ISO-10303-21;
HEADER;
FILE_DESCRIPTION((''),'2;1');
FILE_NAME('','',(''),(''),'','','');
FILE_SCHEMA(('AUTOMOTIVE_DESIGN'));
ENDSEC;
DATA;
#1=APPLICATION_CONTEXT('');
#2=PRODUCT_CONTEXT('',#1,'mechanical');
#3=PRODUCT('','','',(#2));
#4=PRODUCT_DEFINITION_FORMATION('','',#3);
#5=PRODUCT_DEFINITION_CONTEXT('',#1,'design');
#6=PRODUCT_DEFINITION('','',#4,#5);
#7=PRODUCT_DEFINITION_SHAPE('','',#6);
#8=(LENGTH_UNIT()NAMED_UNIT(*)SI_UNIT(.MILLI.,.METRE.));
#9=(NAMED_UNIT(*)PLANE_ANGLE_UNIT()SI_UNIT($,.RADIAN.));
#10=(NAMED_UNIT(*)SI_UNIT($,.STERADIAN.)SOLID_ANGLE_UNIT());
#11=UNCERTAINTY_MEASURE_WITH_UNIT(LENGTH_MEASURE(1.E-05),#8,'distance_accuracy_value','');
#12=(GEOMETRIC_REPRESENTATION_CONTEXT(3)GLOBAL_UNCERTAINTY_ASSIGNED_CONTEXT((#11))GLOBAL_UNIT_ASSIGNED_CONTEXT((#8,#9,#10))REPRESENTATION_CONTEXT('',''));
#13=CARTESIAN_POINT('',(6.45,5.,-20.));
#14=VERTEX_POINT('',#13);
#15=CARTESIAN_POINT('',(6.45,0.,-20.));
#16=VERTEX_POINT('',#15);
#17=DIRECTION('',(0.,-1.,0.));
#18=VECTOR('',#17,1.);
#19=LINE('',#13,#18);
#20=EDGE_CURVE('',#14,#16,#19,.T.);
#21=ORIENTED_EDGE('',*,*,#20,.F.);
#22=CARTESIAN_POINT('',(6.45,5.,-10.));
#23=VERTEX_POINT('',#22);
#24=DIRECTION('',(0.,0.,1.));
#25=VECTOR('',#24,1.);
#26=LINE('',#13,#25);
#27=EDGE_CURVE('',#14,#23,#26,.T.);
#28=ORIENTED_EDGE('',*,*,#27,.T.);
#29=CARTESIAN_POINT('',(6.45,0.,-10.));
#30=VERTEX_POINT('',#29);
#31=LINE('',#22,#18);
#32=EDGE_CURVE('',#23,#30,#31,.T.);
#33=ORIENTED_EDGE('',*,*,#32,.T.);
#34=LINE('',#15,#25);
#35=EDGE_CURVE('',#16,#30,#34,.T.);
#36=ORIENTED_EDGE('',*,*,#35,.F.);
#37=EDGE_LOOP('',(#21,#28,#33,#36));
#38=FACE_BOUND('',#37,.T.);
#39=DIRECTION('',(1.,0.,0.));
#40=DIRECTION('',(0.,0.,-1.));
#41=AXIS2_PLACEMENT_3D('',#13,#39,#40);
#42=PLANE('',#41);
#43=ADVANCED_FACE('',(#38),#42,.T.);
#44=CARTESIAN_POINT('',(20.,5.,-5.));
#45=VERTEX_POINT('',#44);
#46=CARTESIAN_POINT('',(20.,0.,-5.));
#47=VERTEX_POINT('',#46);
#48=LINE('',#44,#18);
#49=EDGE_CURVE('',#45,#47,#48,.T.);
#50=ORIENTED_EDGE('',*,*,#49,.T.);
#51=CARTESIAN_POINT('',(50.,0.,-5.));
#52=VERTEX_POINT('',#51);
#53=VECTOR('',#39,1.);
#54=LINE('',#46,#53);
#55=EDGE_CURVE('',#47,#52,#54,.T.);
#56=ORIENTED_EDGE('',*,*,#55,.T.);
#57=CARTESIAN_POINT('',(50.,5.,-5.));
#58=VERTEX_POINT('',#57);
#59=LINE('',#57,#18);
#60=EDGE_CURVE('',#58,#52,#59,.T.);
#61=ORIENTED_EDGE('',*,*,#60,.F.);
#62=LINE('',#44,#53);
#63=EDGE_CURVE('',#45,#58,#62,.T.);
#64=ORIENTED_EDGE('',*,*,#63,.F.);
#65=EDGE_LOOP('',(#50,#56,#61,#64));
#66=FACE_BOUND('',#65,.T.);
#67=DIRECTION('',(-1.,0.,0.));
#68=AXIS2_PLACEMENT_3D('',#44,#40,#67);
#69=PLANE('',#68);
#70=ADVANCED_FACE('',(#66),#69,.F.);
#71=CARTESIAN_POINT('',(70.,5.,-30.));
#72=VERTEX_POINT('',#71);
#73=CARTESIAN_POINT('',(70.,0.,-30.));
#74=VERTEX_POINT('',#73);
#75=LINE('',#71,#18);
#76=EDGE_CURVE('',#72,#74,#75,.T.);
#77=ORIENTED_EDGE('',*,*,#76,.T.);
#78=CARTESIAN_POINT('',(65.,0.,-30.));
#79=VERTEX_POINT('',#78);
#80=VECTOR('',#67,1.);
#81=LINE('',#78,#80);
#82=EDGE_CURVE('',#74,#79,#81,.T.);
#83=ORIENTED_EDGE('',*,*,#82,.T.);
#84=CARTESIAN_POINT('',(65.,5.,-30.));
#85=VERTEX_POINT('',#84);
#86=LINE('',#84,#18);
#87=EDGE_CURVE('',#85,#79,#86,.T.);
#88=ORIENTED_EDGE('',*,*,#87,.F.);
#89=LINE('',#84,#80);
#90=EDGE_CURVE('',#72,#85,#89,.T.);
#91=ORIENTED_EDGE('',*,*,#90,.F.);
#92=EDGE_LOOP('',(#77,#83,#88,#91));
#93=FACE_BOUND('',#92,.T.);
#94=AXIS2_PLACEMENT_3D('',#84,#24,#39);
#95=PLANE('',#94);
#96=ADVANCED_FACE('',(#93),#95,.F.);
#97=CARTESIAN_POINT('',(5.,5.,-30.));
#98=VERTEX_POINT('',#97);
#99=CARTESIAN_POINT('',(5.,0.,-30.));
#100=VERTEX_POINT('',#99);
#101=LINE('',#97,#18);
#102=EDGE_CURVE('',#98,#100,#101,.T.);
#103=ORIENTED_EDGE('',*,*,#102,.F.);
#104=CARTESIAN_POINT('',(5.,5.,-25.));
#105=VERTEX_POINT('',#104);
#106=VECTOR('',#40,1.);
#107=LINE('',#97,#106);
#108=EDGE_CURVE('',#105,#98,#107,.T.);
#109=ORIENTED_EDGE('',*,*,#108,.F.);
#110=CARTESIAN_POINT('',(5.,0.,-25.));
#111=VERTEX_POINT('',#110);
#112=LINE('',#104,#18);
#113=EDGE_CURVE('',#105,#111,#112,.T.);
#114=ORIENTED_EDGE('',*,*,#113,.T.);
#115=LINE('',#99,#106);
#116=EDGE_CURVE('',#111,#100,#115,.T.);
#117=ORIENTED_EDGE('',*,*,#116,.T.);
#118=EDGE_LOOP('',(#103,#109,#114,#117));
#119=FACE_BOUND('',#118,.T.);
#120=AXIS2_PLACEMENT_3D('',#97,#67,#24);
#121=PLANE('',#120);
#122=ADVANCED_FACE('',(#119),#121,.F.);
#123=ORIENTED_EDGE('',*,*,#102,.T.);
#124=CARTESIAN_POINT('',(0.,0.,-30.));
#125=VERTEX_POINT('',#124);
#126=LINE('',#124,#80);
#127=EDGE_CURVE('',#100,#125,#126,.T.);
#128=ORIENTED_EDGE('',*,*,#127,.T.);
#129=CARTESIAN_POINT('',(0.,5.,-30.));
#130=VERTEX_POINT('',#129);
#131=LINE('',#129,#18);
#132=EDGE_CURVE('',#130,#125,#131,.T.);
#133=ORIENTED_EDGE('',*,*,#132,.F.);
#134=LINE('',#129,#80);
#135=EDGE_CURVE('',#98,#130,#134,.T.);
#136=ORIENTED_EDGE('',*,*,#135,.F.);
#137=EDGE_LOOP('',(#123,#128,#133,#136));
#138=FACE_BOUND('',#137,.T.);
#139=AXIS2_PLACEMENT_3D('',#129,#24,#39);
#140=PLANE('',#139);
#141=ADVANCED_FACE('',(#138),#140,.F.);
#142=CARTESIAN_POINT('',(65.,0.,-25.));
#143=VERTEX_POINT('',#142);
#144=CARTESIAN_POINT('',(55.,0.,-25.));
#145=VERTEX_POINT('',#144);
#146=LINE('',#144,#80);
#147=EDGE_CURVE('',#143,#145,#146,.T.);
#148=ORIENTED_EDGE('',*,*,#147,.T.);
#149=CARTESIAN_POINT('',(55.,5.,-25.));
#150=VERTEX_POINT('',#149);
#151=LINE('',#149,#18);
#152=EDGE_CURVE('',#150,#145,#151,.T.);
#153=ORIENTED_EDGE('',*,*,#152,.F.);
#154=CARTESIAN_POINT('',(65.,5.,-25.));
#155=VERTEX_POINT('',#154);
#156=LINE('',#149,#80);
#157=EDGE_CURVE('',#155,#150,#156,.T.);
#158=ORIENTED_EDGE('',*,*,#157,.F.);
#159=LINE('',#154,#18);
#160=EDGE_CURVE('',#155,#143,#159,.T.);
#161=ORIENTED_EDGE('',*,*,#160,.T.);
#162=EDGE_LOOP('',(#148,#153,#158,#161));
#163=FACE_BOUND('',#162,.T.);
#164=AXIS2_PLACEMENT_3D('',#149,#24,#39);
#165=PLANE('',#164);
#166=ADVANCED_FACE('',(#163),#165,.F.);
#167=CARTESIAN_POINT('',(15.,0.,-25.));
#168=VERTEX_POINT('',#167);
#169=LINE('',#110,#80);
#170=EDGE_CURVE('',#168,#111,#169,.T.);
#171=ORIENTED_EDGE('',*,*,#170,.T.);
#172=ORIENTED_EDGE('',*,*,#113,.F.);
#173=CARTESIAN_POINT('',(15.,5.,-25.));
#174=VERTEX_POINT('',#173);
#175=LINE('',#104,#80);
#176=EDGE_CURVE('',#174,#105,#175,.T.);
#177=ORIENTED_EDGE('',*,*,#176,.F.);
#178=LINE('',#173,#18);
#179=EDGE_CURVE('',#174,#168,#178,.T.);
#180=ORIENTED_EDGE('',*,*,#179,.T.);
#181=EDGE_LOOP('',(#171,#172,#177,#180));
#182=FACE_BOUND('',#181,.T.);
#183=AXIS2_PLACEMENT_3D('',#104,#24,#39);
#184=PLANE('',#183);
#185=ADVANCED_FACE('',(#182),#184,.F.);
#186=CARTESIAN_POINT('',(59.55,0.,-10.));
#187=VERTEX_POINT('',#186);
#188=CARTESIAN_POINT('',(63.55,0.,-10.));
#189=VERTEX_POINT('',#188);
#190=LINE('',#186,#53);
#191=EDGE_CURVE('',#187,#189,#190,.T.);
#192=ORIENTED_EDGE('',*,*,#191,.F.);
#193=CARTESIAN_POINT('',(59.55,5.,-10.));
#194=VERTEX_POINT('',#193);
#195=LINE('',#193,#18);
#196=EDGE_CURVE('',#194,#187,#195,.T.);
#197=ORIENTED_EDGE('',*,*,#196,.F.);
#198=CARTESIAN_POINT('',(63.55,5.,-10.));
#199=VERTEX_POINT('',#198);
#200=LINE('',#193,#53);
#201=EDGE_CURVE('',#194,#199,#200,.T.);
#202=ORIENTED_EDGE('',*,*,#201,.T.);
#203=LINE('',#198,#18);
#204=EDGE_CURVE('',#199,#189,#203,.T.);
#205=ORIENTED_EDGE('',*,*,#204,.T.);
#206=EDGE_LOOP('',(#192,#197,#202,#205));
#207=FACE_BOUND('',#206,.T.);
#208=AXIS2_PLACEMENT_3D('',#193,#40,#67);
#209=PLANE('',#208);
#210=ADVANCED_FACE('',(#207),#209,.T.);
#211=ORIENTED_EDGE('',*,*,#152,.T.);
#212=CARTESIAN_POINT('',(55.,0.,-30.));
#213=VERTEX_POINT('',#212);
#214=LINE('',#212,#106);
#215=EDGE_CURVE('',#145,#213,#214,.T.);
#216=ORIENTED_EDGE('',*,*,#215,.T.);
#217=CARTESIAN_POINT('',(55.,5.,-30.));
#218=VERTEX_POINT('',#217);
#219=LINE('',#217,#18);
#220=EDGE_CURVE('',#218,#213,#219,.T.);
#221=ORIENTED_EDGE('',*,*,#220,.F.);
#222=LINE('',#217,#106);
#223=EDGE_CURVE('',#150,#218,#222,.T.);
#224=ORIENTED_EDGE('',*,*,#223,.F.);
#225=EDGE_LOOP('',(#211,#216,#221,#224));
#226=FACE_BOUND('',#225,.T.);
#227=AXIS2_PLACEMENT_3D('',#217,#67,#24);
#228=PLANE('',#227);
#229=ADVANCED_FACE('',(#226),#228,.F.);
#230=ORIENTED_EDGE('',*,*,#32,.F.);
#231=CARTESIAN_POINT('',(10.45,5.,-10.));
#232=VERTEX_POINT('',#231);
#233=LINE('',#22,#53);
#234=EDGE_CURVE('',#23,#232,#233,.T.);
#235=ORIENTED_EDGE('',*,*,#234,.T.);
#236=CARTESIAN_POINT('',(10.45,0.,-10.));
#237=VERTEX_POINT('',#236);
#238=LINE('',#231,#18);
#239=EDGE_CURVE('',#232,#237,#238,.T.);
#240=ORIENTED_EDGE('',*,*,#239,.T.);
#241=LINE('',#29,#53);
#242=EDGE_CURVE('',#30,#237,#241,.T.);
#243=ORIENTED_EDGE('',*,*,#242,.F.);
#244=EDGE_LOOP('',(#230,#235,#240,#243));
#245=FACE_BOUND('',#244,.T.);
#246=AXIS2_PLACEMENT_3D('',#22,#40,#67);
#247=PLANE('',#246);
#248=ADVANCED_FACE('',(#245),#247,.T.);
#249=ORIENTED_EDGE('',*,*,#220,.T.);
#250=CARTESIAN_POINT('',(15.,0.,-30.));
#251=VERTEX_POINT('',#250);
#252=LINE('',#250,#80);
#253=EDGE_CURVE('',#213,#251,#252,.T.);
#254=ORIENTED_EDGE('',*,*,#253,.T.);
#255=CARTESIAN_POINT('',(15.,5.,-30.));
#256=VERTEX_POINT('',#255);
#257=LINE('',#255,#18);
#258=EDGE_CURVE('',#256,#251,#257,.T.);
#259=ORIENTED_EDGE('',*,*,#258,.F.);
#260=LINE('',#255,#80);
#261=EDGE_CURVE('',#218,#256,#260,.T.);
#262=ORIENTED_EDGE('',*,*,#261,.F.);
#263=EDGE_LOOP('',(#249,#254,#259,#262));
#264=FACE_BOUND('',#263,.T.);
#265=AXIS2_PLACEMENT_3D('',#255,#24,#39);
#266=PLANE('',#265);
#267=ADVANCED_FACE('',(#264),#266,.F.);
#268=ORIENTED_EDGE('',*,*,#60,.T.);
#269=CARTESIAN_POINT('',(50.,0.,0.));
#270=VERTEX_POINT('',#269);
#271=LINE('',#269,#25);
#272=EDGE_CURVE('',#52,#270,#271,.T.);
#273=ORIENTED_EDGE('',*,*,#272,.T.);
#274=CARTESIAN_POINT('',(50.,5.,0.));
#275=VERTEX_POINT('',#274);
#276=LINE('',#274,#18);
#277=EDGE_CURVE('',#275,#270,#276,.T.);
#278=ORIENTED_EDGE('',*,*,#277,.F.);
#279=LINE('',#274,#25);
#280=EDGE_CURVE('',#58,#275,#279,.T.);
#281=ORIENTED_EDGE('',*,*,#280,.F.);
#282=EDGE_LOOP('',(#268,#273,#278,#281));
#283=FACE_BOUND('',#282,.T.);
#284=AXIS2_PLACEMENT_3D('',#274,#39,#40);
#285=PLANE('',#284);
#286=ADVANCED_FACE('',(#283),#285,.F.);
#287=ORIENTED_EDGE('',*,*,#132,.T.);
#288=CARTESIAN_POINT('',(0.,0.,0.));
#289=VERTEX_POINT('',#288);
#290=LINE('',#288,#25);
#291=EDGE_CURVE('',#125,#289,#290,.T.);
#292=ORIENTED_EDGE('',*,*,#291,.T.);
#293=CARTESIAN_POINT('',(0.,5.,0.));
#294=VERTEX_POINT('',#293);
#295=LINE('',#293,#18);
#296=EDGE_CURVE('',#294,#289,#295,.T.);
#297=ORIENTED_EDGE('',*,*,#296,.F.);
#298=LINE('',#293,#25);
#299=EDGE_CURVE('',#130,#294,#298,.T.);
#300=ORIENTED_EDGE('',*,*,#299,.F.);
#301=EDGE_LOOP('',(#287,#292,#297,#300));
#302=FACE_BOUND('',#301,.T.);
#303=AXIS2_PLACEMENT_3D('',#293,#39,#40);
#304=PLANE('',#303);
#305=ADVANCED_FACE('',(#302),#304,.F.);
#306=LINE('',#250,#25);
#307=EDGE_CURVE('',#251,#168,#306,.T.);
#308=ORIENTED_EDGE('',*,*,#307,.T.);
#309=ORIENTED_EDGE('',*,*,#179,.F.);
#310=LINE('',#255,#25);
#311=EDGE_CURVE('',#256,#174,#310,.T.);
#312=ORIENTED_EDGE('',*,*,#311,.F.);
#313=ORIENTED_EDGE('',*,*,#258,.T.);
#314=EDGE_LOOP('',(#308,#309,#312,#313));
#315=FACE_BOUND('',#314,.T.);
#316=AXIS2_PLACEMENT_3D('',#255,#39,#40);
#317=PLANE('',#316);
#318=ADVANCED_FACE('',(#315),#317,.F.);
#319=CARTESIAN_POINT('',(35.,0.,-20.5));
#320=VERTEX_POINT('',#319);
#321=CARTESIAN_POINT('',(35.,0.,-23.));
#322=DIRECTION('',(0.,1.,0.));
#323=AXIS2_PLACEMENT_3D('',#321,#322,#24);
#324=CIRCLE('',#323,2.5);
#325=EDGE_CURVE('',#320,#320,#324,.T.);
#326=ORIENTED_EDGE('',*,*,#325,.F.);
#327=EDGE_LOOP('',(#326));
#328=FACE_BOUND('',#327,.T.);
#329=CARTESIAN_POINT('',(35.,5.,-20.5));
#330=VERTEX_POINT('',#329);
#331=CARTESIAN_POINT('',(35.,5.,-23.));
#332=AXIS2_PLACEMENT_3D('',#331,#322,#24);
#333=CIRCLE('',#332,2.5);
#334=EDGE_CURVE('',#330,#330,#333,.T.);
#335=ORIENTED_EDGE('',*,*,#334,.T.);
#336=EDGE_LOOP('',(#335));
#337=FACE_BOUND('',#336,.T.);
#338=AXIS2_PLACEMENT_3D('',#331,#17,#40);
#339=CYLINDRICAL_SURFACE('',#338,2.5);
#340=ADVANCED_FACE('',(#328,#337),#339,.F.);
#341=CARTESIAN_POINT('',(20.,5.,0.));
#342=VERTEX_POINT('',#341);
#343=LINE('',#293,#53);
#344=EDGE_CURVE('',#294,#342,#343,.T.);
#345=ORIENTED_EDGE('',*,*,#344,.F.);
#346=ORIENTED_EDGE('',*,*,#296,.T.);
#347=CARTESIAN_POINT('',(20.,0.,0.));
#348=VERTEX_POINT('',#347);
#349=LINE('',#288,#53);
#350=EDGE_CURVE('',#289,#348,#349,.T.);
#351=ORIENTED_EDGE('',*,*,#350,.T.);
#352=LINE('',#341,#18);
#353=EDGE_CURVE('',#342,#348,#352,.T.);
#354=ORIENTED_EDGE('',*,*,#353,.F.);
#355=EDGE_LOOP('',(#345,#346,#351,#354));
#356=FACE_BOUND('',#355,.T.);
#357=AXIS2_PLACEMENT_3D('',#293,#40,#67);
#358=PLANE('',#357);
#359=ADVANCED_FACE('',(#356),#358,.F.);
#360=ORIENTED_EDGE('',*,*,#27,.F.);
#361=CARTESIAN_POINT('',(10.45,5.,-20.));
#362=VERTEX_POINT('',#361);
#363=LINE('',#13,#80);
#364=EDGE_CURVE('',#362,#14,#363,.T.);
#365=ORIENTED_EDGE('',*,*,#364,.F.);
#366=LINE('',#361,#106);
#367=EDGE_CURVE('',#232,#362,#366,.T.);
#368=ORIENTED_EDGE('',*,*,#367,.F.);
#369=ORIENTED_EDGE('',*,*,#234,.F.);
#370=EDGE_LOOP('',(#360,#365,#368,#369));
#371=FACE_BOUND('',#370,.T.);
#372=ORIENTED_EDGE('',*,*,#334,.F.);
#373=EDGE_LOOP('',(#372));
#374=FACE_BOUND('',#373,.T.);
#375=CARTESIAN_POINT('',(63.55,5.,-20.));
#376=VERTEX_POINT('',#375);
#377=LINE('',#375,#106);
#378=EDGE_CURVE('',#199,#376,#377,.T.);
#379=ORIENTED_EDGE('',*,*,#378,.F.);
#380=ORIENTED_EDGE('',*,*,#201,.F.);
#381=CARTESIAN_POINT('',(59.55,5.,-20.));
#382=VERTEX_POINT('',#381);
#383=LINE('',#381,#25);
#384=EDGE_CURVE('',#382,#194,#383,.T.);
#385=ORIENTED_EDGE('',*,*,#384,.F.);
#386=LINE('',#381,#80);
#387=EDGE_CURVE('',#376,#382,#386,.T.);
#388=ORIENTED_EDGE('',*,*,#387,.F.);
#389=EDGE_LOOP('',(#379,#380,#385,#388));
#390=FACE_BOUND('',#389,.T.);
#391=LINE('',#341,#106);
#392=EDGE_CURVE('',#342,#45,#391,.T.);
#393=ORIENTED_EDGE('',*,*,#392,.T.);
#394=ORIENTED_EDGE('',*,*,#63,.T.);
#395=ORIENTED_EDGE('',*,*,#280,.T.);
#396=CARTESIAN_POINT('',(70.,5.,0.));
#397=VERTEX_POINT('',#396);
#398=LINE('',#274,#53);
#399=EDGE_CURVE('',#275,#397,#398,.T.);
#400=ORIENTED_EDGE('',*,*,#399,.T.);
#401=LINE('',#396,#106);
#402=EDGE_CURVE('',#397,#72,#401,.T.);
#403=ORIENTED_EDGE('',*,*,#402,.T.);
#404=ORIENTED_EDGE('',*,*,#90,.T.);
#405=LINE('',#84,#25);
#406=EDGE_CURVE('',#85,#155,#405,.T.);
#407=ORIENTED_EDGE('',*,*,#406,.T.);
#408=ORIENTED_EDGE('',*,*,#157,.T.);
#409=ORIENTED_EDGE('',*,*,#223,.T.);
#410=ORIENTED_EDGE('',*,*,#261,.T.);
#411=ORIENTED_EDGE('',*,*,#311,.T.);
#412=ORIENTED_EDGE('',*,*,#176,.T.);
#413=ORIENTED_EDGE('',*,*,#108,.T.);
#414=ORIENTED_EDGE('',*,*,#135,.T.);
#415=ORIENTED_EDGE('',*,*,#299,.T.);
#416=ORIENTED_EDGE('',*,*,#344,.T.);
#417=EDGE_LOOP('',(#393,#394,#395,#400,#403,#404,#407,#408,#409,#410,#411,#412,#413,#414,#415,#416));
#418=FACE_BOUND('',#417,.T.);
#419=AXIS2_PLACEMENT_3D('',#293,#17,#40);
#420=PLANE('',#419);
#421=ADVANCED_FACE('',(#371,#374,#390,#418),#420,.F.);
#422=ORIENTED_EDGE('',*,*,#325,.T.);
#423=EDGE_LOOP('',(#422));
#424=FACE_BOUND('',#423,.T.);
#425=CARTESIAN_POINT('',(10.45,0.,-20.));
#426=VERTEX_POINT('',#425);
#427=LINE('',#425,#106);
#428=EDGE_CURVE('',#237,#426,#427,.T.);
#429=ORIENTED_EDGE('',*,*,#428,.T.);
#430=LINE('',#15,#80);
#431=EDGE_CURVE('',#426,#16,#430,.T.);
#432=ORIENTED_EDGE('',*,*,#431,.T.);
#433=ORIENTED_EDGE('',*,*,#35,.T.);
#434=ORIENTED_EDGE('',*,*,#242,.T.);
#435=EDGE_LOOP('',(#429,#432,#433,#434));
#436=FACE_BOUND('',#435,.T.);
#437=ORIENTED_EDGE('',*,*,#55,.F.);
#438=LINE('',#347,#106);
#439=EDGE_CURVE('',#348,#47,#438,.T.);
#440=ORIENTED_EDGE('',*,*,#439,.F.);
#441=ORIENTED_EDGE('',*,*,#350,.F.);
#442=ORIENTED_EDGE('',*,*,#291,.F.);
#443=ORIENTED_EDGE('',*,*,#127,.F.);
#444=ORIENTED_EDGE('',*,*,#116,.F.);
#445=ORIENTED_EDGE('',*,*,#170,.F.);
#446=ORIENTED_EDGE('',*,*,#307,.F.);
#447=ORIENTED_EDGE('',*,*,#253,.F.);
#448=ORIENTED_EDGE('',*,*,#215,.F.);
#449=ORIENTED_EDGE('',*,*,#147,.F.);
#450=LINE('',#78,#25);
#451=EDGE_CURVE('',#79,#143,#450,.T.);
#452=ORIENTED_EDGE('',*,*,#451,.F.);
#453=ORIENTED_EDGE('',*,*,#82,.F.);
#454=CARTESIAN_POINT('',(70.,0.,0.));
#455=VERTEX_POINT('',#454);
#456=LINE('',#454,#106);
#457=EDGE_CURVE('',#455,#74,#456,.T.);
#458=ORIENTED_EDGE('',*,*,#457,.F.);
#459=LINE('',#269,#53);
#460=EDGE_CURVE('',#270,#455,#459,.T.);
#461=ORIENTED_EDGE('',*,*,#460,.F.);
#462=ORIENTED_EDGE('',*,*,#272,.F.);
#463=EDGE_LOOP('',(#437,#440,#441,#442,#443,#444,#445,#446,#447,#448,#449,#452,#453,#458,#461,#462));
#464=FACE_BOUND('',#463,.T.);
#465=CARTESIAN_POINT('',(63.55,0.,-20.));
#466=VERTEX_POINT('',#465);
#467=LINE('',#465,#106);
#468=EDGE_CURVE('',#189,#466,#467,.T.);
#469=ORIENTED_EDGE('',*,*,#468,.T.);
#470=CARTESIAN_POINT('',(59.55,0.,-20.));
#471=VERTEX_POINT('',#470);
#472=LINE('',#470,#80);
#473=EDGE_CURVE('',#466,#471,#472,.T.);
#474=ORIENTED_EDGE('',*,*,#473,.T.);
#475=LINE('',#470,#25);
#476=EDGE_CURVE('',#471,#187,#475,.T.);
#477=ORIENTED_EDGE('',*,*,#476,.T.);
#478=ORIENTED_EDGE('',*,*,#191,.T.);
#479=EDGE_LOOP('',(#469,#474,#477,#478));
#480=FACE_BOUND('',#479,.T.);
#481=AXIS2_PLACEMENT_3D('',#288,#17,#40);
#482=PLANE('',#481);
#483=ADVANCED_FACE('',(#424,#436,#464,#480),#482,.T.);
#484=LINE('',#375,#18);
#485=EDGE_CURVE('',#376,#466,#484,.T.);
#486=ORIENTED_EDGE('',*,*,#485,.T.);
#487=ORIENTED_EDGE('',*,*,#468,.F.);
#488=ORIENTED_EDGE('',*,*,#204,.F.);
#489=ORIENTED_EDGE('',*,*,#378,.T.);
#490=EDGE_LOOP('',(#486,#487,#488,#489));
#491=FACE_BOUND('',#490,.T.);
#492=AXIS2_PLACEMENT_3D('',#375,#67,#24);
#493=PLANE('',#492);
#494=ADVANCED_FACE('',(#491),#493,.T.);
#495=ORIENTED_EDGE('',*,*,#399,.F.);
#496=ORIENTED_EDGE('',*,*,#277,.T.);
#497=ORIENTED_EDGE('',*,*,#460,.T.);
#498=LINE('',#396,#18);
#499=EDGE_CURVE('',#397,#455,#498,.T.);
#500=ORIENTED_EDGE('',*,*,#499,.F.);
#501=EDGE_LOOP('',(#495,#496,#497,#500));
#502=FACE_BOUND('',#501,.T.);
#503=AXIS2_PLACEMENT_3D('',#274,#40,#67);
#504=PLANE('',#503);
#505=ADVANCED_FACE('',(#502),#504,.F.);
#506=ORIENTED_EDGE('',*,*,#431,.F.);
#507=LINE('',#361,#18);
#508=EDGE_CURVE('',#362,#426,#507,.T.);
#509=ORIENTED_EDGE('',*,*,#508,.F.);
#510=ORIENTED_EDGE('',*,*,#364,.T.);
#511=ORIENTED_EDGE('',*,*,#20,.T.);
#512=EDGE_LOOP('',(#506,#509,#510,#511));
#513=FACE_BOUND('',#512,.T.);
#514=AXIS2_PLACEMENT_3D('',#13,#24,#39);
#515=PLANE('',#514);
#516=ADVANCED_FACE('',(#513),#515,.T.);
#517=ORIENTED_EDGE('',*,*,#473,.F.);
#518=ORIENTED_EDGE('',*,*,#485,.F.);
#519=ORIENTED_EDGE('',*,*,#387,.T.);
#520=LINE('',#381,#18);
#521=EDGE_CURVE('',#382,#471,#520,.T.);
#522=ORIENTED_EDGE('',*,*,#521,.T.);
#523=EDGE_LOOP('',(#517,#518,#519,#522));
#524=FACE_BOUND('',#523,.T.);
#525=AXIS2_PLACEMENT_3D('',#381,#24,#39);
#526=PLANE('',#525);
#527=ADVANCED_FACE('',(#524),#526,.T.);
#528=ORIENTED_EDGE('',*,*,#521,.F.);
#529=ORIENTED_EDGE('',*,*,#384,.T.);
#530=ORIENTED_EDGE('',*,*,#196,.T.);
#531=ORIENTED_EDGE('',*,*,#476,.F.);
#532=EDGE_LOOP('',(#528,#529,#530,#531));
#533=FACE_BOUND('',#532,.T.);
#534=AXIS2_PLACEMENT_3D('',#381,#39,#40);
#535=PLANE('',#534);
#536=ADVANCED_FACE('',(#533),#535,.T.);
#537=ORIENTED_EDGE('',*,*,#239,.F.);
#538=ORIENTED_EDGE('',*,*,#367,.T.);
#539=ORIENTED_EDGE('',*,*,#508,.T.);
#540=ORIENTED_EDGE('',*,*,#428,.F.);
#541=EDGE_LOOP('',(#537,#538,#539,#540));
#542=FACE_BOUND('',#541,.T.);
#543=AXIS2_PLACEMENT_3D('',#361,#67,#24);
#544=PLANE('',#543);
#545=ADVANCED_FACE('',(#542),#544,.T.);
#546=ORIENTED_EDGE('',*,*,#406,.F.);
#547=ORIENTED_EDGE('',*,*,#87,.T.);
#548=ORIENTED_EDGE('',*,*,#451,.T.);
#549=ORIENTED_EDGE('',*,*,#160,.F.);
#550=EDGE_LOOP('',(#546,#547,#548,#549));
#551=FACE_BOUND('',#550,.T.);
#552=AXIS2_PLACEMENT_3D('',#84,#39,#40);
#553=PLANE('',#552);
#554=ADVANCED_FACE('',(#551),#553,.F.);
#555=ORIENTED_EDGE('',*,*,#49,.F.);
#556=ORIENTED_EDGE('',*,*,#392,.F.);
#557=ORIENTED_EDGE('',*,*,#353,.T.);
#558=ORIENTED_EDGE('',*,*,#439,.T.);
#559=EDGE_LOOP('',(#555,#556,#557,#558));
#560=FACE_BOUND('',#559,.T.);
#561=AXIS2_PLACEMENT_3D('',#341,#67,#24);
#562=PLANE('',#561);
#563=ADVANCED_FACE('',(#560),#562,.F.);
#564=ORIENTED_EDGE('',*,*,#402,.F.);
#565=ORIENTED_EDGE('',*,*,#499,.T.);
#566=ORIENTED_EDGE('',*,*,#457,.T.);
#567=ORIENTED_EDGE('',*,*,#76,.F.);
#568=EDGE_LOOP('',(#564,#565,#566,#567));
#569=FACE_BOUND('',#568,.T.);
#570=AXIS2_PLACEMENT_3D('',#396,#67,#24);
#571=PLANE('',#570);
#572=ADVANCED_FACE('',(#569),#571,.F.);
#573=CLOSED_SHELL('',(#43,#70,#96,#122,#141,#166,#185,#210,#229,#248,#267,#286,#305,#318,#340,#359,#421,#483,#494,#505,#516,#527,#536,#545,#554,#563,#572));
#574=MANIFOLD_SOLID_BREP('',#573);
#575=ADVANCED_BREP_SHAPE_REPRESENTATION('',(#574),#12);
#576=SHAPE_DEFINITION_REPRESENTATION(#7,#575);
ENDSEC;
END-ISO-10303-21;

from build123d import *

# Parameters (mm, degrees)
SKETCH_1_R      = 2.5
SKETCH_1_W      = 4
SKETCH_1_H      = 10
EXTRUDE_1_DEPTH = 5


with BuildPart() as part:
    # 草图1 → 凸台-拉伸1 (new body)
    with BuildSketch(Plane(origin=(0, 0, 0), x_dir=(1, 0, 0), z_dir=(0, 1, 0))):
        Polygon((0, 0), (20, 0), (20, 5), (50, 5), (50, 0), (70, 0), (70, 30), (65, 30), (65, 25), (55, 25), (55, 30), (15, 30), (15, 25), (5, 25), (5, 30), (0, 30), align=None)
        with Locations(Location((35, 23, 0), (0, 0, 270))):
            Circle(SKETCH_1_R, mode=Mode.SUBTRACT)
        with Locations((61.55, 15)):
            Rectangle(SKETCH_1_W, SKETCH_1_H, mode=Mode.SUBTRACT)
        with Locations((8.45, 15)):
            Rectangle(SKETCH_1_W, SKETCH_1_H, mode=Mode.SUBTRACT)
    extrude(amount=EXTRUDE_1_DEPTH)


solid = part.part
